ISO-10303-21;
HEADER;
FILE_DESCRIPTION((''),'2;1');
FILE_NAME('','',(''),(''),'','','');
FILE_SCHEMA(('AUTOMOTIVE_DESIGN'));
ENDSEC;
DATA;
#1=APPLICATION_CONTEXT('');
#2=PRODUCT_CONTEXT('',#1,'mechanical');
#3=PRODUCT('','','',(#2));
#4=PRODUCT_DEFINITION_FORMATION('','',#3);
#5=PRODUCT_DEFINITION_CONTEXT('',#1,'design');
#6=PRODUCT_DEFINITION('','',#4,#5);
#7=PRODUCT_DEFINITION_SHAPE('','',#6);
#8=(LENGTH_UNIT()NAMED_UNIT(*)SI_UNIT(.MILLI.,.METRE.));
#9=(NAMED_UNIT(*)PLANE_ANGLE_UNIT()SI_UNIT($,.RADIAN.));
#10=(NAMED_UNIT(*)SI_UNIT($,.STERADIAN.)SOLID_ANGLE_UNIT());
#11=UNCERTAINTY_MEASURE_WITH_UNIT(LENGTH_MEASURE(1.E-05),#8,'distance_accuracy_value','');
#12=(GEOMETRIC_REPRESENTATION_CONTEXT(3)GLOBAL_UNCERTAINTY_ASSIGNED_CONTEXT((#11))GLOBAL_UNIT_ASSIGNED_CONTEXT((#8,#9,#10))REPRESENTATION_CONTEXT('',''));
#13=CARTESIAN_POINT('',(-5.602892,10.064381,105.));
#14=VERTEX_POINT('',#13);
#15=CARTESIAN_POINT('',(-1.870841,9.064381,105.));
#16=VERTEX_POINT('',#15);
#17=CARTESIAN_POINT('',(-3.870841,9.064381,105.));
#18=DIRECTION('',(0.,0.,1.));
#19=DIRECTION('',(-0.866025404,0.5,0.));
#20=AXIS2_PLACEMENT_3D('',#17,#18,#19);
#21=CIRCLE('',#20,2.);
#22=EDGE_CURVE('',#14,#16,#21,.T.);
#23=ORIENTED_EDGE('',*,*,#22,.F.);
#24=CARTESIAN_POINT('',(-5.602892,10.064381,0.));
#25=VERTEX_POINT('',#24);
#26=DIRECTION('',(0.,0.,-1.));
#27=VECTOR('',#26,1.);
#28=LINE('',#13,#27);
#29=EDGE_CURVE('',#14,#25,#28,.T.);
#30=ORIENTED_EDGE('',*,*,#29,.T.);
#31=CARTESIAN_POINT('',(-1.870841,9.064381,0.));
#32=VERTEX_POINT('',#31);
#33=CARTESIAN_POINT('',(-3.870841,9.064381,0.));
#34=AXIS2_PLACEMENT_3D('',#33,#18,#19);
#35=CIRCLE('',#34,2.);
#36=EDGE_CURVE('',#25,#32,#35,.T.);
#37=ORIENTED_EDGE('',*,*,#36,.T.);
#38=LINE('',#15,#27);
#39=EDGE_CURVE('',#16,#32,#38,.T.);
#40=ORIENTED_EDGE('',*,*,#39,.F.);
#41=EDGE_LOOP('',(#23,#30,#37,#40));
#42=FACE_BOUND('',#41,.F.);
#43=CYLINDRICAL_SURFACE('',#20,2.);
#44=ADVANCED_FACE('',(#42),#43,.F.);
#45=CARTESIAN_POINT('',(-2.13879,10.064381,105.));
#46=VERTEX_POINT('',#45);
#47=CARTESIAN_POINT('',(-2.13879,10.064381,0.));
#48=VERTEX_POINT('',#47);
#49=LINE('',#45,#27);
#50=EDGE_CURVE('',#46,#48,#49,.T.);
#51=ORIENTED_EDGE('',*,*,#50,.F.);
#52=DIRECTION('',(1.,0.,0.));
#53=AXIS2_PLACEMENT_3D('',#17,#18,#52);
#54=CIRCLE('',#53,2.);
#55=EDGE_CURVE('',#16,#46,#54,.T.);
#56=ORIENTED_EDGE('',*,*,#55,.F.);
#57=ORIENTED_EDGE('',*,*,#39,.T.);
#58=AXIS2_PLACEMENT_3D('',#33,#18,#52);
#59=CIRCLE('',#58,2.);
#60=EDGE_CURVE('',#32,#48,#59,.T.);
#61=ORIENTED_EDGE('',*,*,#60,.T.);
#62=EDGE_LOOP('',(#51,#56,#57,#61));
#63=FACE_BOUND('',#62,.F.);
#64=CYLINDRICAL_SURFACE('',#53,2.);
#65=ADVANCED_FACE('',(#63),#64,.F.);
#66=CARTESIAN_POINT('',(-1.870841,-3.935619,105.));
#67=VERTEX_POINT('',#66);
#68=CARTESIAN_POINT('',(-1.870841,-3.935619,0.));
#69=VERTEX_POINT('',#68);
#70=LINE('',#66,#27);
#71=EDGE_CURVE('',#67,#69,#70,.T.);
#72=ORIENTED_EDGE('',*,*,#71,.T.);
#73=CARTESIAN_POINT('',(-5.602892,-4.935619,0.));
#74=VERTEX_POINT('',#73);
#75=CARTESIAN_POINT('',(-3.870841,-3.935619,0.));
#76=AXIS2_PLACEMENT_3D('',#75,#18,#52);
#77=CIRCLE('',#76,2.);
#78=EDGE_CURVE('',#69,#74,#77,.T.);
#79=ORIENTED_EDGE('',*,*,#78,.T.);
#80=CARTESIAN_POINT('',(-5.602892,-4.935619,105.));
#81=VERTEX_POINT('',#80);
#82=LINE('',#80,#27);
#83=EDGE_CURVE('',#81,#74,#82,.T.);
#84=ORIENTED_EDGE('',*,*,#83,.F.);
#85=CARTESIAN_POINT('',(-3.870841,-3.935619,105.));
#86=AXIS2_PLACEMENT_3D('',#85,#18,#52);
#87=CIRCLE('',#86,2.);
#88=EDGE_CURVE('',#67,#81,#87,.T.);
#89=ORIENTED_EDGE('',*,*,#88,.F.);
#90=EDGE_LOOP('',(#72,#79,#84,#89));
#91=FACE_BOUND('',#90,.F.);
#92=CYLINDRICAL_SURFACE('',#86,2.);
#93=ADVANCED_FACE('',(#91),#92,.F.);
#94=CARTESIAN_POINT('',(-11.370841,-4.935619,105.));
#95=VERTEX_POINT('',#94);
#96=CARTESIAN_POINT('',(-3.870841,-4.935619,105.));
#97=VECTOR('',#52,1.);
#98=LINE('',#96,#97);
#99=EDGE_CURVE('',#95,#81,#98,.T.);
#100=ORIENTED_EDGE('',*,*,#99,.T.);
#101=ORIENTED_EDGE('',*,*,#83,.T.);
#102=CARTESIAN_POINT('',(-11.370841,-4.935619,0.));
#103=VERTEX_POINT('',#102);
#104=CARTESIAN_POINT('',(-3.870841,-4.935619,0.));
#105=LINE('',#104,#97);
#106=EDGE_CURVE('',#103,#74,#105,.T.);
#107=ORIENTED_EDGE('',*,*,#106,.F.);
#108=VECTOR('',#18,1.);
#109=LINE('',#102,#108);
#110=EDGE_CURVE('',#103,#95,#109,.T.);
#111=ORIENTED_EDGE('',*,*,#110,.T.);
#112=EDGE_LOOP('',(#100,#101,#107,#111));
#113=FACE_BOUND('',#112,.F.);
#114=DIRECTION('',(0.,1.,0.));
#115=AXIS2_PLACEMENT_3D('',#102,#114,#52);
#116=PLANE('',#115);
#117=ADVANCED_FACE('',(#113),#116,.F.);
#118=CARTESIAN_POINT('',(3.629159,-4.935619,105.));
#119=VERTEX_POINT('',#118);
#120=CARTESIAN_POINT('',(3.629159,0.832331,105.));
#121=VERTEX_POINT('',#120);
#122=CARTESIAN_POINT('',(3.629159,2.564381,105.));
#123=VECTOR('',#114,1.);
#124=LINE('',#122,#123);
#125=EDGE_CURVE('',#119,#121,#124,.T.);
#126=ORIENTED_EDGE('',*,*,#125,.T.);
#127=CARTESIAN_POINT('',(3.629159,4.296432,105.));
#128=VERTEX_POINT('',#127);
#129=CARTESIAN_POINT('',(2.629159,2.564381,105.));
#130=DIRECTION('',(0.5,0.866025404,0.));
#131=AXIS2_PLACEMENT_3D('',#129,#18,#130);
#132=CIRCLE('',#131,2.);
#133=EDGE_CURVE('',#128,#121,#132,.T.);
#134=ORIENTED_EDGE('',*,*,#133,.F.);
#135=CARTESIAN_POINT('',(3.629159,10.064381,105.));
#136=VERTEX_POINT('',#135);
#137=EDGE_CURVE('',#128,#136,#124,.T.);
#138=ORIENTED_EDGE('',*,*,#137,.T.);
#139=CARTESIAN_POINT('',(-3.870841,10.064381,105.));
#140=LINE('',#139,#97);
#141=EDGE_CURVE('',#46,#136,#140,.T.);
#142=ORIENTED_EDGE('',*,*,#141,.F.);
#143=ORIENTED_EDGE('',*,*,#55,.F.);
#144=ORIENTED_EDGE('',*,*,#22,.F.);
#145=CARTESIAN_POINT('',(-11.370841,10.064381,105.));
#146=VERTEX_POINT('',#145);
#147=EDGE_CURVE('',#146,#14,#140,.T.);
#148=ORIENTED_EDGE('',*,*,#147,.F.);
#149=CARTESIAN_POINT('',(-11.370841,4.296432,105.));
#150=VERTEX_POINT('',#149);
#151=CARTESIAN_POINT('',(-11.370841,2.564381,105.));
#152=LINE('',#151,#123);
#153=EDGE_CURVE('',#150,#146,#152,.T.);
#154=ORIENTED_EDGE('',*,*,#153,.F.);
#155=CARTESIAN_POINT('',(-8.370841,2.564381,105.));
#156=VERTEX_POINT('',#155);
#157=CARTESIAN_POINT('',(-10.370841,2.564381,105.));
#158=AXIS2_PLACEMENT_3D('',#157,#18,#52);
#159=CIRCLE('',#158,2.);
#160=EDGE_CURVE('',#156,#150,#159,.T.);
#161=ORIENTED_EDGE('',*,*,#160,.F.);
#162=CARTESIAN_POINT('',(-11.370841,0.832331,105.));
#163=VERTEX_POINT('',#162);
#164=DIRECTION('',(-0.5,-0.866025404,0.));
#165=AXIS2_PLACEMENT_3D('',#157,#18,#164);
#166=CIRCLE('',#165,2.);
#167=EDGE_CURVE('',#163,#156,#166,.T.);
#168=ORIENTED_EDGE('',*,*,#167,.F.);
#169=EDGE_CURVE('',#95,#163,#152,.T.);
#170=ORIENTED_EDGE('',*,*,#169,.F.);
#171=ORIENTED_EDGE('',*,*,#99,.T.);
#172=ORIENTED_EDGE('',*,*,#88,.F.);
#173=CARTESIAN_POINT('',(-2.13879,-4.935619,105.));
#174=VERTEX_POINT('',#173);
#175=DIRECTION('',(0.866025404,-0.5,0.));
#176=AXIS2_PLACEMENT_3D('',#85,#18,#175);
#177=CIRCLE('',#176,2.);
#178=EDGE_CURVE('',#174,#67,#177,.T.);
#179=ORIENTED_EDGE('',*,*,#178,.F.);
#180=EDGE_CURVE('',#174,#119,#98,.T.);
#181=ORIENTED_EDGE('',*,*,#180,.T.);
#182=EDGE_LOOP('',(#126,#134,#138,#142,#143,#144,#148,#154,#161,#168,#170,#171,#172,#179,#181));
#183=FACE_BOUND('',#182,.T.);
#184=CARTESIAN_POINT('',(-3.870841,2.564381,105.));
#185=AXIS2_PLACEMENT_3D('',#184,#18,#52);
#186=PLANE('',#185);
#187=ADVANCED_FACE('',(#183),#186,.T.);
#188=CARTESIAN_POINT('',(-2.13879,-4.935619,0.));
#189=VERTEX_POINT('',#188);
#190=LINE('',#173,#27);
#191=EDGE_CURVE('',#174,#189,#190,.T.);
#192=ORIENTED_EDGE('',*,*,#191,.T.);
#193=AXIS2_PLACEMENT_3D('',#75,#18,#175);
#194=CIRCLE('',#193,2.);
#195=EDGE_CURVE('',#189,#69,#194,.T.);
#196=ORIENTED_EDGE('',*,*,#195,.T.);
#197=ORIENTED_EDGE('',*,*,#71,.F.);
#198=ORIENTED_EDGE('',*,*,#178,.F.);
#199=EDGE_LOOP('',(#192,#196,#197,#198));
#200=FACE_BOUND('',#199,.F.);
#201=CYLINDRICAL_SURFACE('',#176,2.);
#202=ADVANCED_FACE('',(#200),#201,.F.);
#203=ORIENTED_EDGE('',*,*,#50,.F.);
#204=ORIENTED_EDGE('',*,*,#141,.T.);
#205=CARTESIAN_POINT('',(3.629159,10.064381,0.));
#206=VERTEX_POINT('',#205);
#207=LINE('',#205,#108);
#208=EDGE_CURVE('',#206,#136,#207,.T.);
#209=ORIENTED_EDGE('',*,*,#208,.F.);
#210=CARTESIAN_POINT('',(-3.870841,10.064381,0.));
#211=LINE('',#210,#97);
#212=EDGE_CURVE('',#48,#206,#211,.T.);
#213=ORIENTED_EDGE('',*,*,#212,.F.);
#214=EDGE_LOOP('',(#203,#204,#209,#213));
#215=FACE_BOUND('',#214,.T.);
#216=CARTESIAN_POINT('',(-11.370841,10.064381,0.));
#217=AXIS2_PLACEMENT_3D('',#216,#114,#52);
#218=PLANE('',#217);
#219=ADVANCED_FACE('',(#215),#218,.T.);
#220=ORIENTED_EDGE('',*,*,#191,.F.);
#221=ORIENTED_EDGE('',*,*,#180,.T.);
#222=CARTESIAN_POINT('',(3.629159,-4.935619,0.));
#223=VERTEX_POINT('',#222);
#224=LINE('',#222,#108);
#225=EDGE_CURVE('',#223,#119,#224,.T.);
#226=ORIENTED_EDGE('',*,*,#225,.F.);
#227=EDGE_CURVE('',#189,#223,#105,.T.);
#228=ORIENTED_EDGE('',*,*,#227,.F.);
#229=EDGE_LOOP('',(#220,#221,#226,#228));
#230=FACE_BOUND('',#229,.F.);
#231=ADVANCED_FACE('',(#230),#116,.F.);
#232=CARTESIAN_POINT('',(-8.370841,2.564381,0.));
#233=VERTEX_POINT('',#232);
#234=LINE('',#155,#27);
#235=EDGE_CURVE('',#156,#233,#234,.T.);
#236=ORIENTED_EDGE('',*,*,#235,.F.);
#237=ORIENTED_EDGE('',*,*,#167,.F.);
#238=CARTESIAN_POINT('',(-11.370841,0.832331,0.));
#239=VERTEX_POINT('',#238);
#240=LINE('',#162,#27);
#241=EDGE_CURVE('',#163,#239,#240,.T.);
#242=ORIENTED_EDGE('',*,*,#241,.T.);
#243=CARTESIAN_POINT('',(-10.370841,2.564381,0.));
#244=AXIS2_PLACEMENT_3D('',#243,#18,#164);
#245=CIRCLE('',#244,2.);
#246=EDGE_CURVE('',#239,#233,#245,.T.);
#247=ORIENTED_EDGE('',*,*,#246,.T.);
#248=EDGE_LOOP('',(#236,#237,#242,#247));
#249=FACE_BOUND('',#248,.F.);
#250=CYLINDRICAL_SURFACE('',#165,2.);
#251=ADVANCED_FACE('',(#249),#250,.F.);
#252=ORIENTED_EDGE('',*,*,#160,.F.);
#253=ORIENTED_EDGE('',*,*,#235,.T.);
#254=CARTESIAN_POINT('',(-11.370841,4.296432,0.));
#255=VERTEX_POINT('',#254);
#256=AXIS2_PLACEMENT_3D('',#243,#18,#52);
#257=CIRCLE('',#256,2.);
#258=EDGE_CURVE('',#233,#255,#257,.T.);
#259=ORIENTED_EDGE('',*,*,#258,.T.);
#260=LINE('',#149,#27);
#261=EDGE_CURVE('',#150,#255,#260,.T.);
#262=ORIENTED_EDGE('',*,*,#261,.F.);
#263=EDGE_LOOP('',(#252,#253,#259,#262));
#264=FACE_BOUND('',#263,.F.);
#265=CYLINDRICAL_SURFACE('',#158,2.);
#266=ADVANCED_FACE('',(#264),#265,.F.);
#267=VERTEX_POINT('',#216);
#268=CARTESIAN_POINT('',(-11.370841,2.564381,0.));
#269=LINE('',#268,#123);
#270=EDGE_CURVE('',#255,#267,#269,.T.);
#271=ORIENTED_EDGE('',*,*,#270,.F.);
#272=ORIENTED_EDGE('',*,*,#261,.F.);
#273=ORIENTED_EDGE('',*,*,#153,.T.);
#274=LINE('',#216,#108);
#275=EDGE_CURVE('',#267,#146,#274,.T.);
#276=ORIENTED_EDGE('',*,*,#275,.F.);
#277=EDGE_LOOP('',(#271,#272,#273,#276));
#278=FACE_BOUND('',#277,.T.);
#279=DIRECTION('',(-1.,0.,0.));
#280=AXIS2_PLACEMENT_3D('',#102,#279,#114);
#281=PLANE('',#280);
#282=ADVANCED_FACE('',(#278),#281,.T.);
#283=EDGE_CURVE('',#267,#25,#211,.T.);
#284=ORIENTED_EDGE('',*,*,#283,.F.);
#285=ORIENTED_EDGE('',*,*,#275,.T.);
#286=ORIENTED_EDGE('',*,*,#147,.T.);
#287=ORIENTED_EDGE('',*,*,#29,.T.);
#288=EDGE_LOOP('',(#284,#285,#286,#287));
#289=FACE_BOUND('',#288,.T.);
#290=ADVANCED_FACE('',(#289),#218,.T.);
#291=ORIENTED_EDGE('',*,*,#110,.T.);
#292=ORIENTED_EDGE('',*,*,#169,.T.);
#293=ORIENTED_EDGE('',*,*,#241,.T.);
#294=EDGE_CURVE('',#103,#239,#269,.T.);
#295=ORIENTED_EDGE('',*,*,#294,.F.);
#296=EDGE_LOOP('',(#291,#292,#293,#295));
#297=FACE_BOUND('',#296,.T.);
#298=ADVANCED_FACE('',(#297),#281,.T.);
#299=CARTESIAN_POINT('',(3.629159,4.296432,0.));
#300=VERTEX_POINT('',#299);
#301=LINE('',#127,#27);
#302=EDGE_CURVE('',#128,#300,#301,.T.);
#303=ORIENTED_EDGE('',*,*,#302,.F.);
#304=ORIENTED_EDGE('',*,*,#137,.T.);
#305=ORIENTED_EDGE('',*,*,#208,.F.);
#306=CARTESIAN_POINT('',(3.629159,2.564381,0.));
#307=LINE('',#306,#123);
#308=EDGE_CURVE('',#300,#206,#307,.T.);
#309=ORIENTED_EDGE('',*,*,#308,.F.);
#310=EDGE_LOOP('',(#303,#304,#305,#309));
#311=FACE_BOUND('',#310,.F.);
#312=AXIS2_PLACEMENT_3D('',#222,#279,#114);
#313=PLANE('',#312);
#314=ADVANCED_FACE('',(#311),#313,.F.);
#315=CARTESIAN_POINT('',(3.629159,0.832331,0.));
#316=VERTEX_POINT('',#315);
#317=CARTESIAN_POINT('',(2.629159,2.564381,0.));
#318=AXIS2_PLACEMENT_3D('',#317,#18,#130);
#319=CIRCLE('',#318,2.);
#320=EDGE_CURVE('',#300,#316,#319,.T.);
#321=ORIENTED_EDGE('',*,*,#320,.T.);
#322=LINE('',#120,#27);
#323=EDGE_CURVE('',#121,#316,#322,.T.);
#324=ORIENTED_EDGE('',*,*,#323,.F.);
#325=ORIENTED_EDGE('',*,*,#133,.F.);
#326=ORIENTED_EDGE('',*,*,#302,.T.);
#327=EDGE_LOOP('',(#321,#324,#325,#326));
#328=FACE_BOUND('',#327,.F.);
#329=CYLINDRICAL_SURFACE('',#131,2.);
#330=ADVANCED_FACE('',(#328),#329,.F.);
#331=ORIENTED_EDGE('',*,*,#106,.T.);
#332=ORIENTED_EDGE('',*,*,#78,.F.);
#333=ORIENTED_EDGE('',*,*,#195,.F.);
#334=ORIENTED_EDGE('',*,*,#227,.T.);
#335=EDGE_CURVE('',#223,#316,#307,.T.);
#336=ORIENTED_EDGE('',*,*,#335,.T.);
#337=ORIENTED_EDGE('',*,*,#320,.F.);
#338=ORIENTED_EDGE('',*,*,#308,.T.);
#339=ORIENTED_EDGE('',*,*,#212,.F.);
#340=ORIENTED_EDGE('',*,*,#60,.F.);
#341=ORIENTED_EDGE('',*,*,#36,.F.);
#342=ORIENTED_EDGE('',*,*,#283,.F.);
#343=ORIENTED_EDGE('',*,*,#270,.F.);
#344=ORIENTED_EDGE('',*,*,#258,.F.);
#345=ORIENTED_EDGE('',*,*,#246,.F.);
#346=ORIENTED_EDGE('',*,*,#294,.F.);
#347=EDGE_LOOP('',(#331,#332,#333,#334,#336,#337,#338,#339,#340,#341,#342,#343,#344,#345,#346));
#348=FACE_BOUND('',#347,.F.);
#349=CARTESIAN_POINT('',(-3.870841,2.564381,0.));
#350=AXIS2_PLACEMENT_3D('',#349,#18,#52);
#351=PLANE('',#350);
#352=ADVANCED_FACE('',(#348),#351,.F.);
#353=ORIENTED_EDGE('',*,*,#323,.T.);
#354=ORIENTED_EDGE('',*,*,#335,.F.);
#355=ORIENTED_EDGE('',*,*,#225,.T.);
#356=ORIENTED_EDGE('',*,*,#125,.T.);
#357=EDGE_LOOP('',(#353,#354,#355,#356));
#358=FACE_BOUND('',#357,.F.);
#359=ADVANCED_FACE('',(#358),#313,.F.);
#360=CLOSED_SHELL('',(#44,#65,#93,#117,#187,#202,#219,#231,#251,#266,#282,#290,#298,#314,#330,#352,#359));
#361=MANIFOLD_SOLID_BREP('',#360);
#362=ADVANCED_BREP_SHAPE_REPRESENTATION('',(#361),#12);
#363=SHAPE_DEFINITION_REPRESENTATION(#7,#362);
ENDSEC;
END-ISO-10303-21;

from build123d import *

# Parameters (mm, degrees)
F0_W     = 15
F0_H     = 15
F1_DEPTH = 105
F3_DEPTH = 105
F5_DEPTH = 105
F7_DEPTH = 105


with BuildPart() as f1:
    # F0 (on Top) → F1 (new body)
    with BuildSketch(Plane.XY):
        with Locations((-3.8708411157, 2.5643814198)):
            Rectangle(F0_W, F0_H)
    extrude(amount=F1_DEPTH)

    # F2 (on face) → F3 (cut)
    with BuildSketch(Plane.XY.offset(105)):
        with BuildLine():
            ThreePointArc((-11.3708411157, 0.8323306122), (-9.3708411157, 0.8323306122), (-8.3708411157, 2.5643814198))
            ThreePointArc((-8.3708411157, 2.5643814198), (-9.3708411157, 4.2964322274), (-11.3708411157, 4.2964322274))
            Line((-11.3708411157, 4.2964322274), (-11.3708411157, 0.8323306122))
        make_face()
    extrude(amount=-F3_DEPTH, mode=Mode.SUBTRACT)

    # F4 (on face) → F5 (cut)
    with BuildSketch(Plane.XY.offset(105)):
        with BuildLine():
            ThreePointArc((-5.6028919233, 10.0643814198), (-4.3884792059, 7.1325297672), (-1.8708411157, 9.0643814198))
            ThreePointArc((-1.8708411157, 9.0643814198), (-1.9389894631, 9.58201951), (-2.1387903081, 10.0643814198))
            Line((-2.1387903081, 10.0643814198), (-5.6028919233, 10.0643814198))
        make_face()
    extrude(amount=-F5_DEPTH, mode=Mode.SUBTRACT)

    # F6 (on face) → F7 (cut)
    with BuildSketch(Plane.XY.offset(105)):
        with BuildLine():
            Line((-5.6028919233, -4.9356185802), (-2.1387903081, -4.9356185802))
            ThreePointArc((-2.1387903081, -4.9356185802), (-1.9389894631, -4.4532566704), (-1.8708411157, -3.9356185802))
            ThreePointArc((-1.8708411157, -3.9356185802), (-4.3884792059, -2.0037669276), (-5.6028919233, -4.9356185802))
        make_face()
        with BuildLine():
            Line((3.6291588843, 0.8323306122), (3.6291588843, 4.2964322274))
            ThreePointArc((3.6291588843, 4.2964322274), (0.6291588843, 2.5643814198), (3.6291588843, 0.8323306122))
        make_face()
    extrude(amount=-F7_DEPTH, mode=Mode.SUBTRACT)


solid = f1.part
